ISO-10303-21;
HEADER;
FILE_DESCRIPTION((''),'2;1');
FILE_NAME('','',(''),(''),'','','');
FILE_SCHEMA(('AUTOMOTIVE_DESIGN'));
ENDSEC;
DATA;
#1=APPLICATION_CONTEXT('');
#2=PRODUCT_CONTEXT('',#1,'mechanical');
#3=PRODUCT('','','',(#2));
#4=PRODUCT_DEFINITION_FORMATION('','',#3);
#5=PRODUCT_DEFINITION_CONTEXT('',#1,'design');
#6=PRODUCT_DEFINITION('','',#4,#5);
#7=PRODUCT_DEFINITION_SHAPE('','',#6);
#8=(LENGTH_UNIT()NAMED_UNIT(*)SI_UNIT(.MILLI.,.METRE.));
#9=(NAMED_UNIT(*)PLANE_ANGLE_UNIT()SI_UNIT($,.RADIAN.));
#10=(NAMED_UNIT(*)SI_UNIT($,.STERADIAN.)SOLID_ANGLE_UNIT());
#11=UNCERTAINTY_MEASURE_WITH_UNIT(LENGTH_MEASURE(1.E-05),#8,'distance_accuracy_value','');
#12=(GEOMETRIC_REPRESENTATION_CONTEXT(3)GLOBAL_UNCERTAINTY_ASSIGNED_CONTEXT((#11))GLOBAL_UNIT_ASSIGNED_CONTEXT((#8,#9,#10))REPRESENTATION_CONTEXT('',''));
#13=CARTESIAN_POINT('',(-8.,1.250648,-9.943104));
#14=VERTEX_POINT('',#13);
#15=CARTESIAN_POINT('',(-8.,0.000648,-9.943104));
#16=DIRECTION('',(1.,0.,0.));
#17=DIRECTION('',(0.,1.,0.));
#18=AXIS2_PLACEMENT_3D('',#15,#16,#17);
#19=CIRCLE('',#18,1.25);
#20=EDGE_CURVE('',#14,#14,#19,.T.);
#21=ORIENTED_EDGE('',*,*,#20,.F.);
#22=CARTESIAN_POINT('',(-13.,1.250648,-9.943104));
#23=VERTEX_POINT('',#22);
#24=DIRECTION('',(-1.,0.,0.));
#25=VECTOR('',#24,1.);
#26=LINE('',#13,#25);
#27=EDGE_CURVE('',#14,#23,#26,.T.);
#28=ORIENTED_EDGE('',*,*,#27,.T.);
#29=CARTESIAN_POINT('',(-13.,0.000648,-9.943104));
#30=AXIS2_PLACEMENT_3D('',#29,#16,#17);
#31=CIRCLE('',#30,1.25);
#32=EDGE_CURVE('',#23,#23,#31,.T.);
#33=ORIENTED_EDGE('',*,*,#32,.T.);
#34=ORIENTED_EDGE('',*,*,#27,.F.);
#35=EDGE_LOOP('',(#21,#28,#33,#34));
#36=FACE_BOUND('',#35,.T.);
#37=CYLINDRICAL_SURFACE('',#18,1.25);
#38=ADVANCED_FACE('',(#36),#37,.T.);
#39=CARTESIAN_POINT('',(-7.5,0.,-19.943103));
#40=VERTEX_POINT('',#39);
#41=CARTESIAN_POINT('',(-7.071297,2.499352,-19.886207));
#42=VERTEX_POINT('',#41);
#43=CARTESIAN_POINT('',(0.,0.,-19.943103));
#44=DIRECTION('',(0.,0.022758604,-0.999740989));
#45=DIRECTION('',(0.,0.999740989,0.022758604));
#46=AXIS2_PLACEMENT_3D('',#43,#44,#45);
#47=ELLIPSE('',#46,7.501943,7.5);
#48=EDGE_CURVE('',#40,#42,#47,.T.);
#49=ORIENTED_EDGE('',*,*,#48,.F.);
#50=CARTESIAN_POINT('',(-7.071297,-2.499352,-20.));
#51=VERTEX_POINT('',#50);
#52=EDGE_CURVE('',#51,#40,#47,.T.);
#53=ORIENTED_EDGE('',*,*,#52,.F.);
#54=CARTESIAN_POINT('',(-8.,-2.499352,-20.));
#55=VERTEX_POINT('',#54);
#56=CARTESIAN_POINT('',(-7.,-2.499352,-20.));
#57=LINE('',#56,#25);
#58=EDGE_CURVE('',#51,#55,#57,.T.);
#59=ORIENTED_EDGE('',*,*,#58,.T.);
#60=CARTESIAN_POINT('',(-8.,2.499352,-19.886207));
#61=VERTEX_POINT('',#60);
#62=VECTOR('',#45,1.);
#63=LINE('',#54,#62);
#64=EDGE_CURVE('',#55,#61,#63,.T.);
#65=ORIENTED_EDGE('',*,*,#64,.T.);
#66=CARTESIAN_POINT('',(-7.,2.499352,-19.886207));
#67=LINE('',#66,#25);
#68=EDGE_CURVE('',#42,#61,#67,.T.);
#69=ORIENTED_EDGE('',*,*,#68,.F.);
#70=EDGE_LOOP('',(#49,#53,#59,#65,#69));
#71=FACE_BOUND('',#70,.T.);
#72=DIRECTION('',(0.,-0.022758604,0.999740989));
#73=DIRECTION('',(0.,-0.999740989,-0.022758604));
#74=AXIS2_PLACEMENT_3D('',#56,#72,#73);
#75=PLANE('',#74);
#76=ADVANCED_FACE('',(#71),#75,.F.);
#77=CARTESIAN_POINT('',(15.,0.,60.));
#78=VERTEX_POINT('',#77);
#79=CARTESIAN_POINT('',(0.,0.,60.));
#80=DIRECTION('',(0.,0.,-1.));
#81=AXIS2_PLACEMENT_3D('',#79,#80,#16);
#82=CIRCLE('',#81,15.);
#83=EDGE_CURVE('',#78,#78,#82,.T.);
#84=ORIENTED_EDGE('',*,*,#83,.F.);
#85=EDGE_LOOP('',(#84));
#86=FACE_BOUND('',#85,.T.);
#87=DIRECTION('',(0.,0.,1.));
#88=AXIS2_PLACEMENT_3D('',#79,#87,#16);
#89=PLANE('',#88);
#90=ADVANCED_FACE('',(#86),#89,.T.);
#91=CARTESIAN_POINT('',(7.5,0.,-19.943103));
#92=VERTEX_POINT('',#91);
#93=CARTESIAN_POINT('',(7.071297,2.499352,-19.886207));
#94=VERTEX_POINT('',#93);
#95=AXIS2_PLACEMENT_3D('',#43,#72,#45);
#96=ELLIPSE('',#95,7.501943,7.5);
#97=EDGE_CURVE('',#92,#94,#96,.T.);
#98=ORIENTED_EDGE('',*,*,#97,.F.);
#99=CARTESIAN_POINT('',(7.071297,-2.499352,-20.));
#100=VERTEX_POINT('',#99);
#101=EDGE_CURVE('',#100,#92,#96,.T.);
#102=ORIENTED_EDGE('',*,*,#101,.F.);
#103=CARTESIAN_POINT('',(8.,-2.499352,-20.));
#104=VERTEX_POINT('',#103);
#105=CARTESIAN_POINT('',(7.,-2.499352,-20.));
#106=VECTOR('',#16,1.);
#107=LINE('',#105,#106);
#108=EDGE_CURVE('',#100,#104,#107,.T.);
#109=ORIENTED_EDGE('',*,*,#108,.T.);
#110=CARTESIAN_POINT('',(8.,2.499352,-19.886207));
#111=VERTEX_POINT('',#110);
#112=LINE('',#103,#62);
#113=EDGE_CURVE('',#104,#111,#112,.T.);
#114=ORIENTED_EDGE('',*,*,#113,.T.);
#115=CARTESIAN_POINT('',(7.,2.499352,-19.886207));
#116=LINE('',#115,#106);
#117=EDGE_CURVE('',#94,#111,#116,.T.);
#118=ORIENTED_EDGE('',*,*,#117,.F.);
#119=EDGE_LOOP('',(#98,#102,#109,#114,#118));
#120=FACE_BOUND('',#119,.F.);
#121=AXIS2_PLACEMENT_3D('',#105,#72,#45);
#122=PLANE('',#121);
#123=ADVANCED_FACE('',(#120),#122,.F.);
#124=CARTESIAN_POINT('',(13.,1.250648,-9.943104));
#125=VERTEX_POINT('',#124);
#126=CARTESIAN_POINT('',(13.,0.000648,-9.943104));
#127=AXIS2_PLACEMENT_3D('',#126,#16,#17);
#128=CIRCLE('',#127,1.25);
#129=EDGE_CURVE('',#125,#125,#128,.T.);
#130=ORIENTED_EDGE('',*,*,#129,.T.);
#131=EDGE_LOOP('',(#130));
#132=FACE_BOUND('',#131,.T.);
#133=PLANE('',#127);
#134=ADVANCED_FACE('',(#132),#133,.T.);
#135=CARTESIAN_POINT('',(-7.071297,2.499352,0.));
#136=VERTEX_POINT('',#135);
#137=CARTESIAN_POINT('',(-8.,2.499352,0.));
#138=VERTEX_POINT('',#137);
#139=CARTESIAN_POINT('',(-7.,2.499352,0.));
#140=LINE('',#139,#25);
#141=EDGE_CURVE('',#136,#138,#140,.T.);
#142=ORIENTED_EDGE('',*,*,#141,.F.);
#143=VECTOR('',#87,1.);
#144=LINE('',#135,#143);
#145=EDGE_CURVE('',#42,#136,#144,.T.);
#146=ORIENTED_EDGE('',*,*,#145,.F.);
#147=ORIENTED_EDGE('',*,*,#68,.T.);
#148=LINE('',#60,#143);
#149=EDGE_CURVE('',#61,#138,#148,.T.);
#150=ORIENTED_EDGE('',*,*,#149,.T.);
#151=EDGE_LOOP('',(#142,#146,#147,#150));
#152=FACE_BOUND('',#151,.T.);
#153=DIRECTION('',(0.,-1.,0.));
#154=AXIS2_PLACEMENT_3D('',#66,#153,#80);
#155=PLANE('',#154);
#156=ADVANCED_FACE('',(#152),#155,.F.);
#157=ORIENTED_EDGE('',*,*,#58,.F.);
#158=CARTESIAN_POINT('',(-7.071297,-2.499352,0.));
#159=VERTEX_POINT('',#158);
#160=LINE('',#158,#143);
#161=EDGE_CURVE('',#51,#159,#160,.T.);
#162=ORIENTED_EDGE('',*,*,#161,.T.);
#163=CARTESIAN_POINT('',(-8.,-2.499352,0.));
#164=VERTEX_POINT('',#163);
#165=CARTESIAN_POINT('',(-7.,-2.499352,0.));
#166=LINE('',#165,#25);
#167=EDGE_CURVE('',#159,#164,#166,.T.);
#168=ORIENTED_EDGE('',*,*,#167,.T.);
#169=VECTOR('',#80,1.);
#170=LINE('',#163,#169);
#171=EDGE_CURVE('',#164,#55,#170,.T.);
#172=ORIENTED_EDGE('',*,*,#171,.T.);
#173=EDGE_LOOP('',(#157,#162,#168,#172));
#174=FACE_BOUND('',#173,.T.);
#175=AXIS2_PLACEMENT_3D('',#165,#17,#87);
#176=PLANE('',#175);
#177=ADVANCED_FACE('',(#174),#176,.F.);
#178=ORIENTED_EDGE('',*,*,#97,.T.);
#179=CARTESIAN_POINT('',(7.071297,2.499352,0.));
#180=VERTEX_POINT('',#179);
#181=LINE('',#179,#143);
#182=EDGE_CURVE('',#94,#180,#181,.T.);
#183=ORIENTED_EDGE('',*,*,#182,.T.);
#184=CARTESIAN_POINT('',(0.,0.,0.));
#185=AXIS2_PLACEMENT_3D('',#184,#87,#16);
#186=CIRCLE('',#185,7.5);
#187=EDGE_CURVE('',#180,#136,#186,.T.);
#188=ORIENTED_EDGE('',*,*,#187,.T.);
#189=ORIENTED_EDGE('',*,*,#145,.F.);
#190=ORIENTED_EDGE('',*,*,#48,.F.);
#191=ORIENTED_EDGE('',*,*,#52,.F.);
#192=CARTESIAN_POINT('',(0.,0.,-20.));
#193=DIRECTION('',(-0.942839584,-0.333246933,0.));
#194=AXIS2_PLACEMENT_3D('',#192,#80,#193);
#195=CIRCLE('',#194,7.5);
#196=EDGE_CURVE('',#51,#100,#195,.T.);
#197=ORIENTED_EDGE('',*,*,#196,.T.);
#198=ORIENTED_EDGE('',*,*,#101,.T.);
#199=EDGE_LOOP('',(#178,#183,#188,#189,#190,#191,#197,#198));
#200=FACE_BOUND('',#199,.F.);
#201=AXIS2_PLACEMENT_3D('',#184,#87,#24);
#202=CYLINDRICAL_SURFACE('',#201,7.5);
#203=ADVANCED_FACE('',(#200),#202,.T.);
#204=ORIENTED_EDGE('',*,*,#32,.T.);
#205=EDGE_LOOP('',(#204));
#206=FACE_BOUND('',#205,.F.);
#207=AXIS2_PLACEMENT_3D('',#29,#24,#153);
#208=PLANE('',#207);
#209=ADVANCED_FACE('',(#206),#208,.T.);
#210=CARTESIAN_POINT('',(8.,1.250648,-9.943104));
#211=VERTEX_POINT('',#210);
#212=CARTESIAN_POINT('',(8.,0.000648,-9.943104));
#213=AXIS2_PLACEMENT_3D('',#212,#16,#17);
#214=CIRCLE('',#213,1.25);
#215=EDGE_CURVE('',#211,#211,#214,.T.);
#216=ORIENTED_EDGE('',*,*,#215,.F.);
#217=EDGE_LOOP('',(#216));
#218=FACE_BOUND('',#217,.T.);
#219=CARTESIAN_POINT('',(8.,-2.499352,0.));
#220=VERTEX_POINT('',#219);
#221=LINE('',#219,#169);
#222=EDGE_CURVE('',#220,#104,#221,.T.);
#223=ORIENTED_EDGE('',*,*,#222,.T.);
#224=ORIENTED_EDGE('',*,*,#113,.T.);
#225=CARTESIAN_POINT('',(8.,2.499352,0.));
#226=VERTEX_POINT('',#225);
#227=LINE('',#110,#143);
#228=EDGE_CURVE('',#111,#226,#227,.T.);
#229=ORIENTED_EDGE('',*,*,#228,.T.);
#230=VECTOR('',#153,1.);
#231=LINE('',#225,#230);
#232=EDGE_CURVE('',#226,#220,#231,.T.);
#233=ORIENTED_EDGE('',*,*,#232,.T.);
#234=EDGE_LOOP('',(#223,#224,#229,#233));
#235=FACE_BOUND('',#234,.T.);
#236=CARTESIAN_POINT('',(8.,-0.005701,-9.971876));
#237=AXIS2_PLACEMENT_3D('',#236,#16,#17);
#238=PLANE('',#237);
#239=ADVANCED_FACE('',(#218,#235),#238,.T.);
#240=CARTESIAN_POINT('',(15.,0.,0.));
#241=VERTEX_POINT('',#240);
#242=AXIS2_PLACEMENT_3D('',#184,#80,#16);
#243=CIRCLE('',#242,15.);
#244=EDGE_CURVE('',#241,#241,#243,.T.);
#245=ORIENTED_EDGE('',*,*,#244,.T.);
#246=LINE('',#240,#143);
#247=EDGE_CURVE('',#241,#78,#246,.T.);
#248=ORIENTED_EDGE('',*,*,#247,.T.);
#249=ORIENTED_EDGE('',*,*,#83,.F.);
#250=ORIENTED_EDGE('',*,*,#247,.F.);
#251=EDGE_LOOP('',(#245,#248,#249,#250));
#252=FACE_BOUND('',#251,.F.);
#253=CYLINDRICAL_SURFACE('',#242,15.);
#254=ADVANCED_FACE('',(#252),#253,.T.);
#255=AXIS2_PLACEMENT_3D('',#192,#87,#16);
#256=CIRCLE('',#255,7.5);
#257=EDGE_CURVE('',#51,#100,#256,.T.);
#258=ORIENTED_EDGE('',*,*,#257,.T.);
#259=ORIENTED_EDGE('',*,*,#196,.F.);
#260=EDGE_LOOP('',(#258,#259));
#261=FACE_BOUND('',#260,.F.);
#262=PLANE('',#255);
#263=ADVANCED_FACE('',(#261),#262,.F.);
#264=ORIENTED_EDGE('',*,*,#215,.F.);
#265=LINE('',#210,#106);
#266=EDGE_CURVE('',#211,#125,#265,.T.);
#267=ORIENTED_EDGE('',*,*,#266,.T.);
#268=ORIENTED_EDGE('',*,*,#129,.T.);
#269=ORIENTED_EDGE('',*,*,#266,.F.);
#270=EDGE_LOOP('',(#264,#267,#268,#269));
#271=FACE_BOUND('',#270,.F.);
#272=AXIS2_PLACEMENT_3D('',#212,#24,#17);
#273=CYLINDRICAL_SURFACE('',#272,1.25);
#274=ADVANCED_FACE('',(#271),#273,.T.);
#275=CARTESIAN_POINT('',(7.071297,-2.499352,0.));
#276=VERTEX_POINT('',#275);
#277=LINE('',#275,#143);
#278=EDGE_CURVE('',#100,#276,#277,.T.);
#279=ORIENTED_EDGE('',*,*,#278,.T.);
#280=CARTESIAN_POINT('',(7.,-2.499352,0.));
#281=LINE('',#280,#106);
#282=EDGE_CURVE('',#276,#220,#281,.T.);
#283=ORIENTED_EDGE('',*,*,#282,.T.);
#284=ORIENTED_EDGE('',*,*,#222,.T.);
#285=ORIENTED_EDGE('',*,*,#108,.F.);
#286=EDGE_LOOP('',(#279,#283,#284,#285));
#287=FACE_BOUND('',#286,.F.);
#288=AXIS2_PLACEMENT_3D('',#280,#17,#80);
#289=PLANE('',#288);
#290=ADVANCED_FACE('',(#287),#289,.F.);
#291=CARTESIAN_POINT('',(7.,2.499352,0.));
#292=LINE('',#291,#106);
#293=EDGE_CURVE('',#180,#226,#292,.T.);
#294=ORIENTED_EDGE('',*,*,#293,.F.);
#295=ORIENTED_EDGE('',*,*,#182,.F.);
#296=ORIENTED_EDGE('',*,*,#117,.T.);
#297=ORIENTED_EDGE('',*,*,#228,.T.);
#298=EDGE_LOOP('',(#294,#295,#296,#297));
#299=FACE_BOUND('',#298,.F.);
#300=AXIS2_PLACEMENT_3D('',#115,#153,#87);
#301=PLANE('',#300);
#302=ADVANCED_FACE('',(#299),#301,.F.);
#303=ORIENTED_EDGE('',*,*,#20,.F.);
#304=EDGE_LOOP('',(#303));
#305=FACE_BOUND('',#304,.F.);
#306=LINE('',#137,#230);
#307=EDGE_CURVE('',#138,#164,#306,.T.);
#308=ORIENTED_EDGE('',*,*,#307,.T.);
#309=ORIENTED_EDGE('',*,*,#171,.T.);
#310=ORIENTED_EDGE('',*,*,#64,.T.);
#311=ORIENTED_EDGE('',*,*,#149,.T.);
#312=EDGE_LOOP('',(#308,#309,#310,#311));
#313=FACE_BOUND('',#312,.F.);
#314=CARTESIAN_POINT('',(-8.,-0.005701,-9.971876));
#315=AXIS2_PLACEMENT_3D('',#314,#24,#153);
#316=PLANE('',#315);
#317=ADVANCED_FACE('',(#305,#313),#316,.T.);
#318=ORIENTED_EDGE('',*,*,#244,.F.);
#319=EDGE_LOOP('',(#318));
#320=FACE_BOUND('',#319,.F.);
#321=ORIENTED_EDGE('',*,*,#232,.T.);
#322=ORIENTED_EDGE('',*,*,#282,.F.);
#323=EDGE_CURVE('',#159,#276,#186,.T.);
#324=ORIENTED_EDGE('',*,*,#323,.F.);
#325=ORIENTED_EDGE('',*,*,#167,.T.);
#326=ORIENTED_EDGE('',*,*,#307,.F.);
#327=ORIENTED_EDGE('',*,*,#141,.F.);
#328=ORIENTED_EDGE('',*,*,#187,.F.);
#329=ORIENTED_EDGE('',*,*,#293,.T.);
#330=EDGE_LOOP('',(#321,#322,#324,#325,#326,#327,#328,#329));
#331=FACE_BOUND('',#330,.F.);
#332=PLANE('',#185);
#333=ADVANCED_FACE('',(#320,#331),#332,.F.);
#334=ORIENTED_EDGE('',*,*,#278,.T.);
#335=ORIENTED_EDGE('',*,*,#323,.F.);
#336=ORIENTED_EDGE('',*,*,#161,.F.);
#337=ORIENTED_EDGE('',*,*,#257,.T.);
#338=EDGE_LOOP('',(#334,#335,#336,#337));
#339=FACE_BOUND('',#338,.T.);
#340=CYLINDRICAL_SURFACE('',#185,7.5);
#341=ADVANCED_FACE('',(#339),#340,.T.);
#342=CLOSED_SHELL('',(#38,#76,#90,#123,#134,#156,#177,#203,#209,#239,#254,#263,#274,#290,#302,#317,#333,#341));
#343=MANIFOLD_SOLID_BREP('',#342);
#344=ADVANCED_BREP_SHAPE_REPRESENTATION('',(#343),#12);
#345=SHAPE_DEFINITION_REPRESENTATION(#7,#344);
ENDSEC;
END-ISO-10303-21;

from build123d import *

# Parameters (mm, degrees)
F0_R     = 15
F1_DEPTH = 60
F2_R     = 7.5
F3_DEPTH = 20
F6_DEPTH = 1
F7_R     = 1.25
F8_DEPTH = 5


with BuildPart() as f1:
    # F0 (on Top) → F1 (new body)
    with BuildSketch(Plane.XY):
        Circle(F0_R)
    extrude(amount=F1_DEPTH)

    # F2 (on Top) → F3 (join)
    with BuildSketch(Plane.XY):
        Circle(F2_R)
    extrude(amount=-F3_DEPTH)

    # F5 (on offset) → F6 (join)
    with BuildSketch(Plane.YZ.offset(7)):
        Polygon((-2.499352, 0), (-2.499352, -20), (2.499352, -19.886207), (2.499352, 0), align=None)
    extrude(amount=F6_DEPTH)

    # F7 (on face) → F8 (join)
    with BuildSketch(Plane.YZ.offset(8)):
        with Locations((0.000648, -9.943104)):
            Circle(F7_R)
    extrude(amount=F8_DEPTH)

    # F9: F1 across plane


with BuildPart() as f1_1:
    add(f1.part)
    add(f1.part.mirror(Plane.YZ))


solid = f1_1.part
